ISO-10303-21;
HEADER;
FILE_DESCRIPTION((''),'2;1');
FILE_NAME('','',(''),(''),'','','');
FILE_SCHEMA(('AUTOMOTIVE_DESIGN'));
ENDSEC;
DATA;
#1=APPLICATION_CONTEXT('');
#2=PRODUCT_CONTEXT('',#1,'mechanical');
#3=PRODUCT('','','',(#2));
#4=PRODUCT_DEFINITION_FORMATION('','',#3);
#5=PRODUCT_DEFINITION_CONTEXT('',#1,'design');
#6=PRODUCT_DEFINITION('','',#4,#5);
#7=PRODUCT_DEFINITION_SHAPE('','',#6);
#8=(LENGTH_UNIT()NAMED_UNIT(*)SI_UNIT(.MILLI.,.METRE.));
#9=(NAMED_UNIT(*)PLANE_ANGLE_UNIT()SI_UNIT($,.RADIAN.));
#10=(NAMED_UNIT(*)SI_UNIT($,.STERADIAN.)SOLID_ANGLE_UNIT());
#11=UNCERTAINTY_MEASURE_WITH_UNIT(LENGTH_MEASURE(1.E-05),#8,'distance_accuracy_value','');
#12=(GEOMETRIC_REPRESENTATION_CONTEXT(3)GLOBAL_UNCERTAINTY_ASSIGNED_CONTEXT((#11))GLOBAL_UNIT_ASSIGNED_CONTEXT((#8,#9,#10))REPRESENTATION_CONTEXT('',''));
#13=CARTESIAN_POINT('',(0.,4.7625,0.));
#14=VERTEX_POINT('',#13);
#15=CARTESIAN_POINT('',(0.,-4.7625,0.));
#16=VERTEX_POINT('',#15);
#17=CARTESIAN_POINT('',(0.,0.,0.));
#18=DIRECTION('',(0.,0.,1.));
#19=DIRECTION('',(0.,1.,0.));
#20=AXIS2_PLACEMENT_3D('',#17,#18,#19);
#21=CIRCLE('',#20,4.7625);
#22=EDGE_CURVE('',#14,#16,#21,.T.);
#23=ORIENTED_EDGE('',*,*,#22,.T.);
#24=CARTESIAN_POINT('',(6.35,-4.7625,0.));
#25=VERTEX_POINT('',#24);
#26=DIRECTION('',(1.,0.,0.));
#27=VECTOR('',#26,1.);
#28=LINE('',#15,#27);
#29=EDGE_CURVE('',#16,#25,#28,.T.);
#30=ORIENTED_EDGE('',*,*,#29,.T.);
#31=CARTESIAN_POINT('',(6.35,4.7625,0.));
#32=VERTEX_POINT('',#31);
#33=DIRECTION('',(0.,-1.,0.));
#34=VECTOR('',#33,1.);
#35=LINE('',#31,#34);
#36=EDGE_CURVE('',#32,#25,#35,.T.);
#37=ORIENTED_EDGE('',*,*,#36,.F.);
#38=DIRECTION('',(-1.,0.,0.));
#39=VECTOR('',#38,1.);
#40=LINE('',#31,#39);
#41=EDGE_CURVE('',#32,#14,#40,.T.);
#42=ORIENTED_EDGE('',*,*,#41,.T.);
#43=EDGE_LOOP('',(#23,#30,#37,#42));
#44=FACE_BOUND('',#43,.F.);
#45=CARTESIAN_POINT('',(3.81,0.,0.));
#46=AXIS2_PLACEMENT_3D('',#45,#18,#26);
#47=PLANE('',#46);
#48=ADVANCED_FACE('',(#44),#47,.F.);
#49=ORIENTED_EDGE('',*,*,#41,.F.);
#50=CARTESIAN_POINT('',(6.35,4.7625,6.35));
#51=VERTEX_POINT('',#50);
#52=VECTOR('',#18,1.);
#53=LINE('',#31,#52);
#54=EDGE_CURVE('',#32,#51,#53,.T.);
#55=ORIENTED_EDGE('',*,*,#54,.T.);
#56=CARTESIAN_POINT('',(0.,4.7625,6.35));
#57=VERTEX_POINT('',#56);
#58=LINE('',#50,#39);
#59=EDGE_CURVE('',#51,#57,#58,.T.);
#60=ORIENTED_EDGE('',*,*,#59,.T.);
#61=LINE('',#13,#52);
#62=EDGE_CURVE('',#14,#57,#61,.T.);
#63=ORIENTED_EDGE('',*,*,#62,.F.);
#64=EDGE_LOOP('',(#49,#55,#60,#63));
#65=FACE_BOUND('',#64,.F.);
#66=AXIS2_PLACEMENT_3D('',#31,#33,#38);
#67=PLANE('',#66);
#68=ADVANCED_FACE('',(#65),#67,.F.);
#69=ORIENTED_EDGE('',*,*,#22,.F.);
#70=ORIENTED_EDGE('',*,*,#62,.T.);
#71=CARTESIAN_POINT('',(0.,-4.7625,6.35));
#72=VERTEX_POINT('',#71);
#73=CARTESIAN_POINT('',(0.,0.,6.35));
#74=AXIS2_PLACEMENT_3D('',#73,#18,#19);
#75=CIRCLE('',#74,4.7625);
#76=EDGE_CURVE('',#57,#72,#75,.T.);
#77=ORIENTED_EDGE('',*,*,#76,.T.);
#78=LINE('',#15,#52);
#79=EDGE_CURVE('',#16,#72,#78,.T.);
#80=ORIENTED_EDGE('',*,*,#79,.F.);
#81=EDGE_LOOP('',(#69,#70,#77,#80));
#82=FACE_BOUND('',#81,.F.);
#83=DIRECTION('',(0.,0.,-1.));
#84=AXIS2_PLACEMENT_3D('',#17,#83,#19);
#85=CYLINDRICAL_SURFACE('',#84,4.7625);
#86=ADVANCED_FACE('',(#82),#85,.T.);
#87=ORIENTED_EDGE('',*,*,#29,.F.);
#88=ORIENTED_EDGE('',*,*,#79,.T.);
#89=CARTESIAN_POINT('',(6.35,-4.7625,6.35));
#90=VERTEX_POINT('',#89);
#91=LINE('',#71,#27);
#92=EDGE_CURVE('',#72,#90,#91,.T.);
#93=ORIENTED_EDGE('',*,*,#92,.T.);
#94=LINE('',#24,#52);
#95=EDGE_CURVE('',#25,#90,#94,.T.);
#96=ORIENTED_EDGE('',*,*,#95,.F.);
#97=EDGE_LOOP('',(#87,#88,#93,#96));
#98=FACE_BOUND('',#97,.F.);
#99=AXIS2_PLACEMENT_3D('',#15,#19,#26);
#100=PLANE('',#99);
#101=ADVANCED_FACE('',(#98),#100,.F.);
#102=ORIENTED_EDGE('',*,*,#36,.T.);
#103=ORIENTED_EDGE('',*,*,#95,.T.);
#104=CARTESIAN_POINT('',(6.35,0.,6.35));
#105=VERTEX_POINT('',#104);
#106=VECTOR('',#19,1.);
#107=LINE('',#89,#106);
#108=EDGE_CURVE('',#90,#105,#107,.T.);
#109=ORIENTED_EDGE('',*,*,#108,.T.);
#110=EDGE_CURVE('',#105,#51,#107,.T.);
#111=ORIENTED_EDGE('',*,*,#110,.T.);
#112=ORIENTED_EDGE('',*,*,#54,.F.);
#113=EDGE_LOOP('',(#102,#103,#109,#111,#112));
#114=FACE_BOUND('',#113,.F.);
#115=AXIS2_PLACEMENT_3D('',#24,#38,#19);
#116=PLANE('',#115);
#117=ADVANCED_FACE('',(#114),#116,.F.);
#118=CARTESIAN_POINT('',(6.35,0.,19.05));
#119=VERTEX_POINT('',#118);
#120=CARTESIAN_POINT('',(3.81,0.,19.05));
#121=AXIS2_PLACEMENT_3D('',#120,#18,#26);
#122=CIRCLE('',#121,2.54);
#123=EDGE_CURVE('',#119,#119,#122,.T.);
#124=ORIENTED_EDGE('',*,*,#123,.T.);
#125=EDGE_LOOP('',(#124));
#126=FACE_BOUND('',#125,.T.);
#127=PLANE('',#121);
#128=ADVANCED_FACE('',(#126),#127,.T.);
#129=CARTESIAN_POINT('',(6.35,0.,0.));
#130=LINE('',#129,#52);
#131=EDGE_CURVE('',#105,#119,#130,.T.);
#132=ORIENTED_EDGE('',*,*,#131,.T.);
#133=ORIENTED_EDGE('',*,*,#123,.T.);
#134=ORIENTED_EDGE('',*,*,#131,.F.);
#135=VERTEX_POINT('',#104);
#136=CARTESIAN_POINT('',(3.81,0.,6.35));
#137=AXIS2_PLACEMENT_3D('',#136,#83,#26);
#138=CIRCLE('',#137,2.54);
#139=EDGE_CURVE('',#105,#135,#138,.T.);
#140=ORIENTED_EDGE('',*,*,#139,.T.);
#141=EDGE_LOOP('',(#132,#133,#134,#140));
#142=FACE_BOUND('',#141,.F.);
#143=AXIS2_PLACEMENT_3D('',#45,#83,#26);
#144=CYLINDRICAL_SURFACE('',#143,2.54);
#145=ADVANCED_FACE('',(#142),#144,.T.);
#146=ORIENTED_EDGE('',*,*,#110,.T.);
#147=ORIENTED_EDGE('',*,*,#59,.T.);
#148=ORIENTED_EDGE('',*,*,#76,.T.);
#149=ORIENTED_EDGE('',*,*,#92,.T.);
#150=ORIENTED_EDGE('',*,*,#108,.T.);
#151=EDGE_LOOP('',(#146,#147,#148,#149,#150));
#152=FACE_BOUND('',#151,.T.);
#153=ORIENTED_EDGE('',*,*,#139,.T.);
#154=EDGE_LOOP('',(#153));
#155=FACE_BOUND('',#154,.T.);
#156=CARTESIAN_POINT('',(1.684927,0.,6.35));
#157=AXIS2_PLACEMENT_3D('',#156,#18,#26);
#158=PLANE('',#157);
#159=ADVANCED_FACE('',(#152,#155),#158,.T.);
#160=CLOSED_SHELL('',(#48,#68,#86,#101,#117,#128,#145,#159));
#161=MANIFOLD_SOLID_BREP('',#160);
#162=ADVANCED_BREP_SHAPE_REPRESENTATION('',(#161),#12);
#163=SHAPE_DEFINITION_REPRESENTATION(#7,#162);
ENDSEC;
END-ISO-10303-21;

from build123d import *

# Parameters (mm, degrees)
F2_DEPTH = 6.35
F1_R     = 2.54
F3_DEPTH = 19.05


with BuildPart() as f2:
    # F0 (on Top) → F2 (new body)
    with BuildSketch(Plane.XY):
        with BuildLine():
            Line((6.35, 4.7625), (0, 4.7625))
            ThreePointArc((0, 4.7625), (-4.7625, 0), (0, -4.7625))
            Line((0, -4.7625), (6.35, -4.7625))
            Line((6.35, -4.7625), (6.35, 4.7625))
        make_face()
    extrude(amount=F2_DEPTH)

    # F1 (on Top) → F3 (join)
    with BuildSketch(Plane.XY):
        with Locations((3.81, 0)):
            Circle(F1_R)
    extrude(amount=F3_DEPTH)


solid = f2.part
